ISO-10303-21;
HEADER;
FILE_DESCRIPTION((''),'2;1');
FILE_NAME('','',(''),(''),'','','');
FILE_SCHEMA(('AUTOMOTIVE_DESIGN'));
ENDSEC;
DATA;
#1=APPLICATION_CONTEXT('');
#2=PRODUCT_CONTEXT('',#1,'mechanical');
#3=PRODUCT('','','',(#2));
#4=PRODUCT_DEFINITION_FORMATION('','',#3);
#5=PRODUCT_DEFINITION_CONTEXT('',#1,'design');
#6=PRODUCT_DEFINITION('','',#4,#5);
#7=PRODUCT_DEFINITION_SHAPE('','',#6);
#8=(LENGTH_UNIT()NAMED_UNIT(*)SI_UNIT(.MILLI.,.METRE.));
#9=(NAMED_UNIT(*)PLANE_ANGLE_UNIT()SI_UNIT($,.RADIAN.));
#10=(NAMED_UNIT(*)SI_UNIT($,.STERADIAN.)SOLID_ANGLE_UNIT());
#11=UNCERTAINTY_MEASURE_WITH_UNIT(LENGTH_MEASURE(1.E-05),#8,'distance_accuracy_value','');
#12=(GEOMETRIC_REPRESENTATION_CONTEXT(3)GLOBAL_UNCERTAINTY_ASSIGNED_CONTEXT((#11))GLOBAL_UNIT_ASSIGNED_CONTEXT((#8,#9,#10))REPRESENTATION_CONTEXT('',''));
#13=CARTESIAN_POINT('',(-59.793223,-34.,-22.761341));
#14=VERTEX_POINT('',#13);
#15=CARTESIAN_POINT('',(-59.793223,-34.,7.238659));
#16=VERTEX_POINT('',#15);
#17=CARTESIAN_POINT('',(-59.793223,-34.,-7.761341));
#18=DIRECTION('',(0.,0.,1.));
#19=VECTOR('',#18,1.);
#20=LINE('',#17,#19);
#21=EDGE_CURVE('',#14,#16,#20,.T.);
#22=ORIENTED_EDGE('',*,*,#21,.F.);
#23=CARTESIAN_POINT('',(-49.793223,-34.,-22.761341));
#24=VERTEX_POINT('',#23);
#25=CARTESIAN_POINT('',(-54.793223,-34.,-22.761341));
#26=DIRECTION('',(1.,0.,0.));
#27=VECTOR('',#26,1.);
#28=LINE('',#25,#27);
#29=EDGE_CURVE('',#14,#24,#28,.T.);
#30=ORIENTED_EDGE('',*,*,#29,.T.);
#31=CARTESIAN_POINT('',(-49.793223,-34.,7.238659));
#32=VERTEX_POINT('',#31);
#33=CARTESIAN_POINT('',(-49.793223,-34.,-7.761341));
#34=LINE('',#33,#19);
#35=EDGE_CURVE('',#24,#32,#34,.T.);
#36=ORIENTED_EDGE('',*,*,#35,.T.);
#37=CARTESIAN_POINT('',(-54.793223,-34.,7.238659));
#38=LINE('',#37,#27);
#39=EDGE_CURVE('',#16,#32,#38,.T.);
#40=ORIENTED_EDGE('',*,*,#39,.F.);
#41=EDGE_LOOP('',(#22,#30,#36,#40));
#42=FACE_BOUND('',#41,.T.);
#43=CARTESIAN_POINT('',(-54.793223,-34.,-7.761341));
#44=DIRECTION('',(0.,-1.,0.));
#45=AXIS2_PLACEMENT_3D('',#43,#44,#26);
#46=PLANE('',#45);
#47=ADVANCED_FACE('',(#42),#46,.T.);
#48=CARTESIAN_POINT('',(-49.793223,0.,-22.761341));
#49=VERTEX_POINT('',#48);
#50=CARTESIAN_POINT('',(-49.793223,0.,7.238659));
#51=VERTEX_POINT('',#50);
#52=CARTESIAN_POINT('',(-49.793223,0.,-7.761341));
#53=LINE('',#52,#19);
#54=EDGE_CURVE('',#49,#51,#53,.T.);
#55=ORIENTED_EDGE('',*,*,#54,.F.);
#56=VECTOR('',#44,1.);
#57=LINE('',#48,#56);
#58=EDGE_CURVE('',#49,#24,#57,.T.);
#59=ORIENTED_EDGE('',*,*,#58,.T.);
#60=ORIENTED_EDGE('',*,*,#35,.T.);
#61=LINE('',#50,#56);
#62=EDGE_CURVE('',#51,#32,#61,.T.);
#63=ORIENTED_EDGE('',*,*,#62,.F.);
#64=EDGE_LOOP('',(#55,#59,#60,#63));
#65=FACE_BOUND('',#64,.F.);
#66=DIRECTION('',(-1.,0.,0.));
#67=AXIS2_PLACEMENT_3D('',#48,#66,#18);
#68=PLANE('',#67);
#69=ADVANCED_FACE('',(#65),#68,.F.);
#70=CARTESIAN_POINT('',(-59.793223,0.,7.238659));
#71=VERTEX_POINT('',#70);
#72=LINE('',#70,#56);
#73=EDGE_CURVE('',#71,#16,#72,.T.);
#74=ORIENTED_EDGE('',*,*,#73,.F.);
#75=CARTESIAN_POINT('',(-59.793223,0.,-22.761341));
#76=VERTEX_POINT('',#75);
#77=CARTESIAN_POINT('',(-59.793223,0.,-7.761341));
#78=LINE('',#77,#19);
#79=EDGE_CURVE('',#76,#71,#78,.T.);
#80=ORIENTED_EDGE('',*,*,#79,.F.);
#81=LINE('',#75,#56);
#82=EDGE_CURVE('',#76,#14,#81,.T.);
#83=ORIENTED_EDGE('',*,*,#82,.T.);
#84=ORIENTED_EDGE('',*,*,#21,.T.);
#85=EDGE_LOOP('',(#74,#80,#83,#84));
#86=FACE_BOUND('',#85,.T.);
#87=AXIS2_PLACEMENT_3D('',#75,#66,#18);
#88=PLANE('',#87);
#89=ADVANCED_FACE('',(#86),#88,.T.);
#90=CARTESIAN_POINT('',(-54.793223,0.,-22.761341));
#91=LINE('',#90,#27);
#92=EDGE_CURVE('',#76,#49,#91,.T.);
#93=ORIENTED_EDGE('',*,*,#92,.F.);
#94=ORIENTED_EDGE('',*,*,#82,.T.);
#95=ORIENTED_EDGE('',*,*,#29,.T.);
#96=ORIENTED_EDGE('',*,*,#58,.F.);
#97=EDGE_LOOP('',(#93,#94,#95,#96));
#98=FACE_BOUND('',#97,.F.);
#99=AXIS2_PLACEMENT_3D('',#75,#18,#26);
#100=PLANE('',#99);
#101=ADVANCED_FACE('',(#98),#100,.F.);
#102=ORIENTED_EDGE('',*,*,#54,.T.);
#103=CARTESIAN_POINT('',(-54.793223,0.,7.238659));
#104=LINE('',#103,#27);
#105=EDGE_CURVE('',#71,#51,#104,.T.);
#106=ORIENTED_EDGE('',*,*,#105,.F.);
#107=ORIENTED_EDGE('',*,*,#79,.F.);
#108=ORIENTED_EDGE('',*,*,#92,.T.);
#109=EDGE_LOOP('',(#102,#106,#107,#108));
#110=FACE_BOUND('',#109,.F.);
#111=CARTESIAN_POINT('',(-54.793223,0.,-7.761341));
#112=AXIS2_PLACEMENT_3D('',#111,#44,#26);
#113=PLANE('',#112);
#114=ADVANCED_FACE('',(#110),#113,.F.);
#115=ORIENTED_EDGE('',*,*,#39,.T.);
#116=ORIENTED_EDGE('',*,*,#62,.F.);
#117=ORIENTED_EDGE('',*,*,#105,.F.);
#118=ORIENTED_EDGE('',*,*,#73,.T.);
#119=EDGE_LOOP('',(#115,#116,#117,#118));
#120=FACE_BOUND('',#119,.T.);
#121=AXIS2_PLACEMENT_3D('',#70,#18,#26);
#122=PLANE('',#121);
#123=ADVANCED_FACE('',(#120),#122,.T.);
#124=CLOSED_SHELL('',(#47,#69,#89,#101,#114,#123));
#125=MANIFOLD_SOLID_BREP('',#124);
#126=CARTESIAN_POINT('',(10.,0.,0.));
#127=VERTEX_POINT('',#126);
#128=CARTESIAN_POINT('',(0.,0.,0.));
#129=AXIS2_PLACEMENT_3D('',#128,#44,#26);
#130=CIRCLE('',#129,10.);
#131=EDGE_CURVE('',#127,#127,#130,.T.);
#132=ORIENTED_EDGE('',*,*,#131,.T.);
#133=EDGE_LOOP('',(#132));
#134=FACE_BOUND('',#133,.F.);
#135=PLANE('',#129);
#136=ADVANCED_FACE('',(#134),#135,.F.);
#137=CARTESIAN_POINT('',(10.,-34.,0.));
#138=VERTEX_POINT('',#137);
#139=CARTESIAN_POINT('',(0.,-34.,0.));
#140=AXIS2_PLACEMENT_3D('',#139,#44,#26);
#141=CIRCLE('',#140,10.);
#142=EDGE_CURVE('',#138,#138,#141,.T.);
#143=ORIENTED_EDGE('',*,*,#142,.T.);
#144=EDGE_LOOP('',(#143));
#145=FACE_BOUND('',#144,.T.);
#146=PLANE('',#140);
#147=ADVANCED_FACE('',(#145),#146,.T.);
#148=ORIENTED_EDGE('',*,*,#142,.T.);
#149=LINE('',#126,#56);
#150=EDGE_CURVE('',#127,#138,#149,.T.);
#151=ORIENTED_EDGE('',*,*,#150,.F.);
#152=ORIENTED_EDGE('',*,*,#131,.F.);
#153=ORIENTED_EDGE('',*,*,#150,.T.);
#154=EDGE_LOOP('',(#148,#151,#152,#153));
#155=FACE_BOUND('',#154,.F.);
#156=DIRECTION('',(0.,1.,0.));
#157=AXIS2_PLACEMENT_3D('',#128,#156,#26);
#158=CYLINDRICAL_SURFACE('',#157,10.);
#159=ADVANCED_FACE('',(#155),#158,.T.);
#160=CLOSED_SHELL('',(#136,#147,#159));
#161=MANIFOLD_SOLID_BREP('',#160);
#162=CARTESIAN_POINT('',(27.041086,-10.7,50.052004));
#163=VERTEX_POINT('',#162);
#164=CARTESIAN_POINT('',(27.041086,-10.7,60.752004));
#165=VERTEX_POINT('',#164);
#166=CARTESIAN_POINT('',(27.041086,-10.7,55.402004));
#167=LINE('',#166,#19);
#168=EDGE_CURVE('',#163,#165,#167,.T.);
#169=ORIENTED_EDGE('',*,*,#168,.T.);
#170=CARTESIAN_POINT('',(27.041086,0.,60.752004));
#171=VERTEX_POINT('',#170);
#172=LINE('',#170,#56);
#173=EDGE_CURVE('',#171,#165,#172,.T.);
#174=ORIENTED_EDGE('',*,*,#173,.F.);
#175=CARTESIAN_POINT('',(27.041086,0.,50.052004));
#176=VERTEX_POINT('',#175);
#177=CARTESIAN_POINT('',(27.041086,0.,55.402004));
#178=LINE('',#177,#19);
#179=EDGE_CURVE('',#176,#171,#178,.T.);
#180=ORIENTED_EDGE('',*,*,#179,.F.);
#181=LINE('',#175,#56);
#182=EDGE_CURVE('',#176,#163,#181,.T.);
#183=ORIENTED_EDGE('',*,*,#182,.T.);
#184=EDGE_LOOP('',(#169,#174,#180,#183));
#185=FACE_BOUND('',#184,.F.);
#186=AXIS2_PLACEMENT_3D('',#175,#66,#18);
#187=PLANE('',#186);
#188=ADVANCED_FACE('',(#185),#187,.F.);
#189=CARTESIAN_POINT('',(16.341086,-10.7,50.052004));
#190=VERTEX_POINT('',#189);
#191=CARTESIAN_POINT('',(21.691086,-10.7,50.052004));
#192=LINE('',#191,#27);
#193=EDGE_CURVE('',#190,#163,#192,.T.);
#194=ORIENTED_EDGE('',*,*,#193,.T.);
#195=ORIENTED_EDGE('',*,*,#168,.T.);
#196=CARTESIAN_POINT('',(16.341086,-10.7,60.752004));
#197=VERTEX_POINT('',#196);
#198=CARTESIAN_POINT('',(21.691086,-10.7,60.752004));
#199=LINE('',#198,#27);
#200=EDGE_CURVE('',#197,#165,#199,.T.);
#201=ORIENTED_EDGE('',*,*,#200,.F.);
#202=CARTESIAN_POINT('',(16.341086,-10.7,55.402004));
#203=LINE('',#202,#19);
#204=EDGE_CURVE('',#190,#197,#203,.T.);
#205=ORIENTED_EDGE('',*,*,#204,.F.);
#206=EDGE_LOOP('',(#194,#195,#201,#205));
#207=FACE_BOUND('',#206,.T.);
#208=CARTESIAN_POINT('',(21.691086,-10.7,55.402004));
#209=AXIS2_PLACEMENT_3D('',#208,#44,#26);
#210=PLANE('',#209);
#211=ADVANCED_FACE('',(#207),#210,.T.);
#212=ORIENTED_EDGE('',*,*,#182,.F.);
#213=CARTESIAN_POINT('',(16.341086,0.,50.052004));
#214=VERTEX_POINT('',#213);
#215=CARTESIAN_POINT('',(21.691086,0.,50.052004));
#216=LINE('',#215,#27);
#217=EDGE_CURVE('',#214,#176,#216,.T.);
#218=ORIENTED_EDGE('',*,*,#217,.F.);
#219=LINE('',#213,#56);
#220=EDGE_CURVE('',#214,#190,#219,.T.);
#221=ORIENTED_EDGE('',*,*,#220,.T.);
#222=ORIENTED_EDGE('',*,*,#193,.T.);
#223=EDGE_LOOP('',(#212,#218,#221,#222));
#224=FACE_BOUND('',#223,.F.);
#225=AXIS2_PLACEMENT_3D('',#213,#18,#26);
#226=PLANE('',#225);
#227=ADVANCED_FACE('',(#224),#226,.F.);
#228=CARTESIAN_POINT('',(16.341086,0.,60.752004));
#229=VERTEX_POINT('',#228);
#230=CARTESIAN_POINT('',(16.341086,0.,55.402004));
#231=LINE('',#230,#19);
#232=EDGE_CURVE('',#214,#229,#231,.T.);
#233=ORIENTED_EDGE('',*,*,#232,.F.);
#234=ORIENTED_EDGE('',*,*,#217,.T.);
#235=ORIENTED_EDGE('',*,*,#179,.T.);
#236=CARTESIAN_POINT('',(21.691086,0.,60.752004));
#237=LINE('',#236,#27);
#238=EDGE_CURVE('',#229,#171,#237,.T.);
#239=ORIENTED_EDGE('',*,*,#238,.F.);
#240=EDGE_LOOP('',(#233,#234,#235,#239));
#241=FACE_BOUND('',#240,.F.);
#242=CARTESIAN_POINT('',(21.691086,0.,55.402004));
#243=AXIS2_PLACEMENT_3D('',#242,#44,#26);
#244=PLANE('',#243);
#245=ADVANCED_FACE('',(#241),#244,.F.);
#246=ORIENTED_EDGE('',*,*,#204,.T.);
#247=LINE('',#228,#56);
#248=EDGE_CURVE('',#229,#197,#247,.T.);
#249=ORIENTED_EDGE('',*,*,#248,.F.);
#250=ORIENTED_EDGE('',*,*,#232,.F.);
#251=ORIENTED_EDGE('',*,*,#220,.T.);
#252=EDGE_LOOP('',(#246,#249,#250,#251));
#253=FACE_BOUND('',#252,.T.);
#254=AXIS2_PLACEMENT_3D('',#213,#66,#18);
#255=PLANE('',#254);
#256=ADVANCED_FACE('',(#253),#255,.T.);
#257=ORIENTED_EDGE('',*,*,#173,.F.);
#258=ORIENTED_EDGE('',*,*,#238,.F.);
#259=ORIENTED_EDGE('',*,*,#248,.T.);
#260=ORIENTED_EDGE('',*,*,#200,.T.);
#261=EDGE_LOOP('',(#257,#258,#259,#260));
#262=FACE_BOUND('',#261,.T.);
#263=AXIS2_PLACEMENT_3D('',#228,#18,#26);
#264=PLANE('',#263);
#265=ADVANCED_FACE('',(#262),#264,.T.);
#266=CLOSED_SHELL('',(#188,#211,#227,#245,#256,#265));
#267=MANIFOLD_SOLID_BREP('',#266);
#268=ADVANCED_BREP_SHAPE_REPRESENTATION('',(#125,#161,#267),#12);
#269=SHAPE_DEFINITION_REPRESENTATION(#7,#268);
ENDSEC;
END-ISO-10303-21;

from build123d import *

# Parameters (mm, degrees)
F0_R     = 10
F0_W     = 10
F0_H     = 30
F1_DEPTH = 34
F2_W     = 10.7
F2_H     = 10.7
F3_DEPTH = 10.7


with BuildPart() as f1:
    # F0 (on Front) → F1 (new body)
    with BuildSketch(Plane.XZ):
        Circle(F0_R)
        with Locations((-54.793223, -7.761341)):
            Rectangle(F0_W, F0_H)
    extrude(amount=F1_DEPTH)


with BuildPart() as f3:
    # F2 (on Front) → F3 (new body)
    with BuildSketch(Plane.XZ):
        with Locations((21.691086, 55.402004)):
            Rectangle(F2_W, F2_H)
    extrude(amount=F3_DEPTH)


solid = Compound([f1.part, f3.part])
